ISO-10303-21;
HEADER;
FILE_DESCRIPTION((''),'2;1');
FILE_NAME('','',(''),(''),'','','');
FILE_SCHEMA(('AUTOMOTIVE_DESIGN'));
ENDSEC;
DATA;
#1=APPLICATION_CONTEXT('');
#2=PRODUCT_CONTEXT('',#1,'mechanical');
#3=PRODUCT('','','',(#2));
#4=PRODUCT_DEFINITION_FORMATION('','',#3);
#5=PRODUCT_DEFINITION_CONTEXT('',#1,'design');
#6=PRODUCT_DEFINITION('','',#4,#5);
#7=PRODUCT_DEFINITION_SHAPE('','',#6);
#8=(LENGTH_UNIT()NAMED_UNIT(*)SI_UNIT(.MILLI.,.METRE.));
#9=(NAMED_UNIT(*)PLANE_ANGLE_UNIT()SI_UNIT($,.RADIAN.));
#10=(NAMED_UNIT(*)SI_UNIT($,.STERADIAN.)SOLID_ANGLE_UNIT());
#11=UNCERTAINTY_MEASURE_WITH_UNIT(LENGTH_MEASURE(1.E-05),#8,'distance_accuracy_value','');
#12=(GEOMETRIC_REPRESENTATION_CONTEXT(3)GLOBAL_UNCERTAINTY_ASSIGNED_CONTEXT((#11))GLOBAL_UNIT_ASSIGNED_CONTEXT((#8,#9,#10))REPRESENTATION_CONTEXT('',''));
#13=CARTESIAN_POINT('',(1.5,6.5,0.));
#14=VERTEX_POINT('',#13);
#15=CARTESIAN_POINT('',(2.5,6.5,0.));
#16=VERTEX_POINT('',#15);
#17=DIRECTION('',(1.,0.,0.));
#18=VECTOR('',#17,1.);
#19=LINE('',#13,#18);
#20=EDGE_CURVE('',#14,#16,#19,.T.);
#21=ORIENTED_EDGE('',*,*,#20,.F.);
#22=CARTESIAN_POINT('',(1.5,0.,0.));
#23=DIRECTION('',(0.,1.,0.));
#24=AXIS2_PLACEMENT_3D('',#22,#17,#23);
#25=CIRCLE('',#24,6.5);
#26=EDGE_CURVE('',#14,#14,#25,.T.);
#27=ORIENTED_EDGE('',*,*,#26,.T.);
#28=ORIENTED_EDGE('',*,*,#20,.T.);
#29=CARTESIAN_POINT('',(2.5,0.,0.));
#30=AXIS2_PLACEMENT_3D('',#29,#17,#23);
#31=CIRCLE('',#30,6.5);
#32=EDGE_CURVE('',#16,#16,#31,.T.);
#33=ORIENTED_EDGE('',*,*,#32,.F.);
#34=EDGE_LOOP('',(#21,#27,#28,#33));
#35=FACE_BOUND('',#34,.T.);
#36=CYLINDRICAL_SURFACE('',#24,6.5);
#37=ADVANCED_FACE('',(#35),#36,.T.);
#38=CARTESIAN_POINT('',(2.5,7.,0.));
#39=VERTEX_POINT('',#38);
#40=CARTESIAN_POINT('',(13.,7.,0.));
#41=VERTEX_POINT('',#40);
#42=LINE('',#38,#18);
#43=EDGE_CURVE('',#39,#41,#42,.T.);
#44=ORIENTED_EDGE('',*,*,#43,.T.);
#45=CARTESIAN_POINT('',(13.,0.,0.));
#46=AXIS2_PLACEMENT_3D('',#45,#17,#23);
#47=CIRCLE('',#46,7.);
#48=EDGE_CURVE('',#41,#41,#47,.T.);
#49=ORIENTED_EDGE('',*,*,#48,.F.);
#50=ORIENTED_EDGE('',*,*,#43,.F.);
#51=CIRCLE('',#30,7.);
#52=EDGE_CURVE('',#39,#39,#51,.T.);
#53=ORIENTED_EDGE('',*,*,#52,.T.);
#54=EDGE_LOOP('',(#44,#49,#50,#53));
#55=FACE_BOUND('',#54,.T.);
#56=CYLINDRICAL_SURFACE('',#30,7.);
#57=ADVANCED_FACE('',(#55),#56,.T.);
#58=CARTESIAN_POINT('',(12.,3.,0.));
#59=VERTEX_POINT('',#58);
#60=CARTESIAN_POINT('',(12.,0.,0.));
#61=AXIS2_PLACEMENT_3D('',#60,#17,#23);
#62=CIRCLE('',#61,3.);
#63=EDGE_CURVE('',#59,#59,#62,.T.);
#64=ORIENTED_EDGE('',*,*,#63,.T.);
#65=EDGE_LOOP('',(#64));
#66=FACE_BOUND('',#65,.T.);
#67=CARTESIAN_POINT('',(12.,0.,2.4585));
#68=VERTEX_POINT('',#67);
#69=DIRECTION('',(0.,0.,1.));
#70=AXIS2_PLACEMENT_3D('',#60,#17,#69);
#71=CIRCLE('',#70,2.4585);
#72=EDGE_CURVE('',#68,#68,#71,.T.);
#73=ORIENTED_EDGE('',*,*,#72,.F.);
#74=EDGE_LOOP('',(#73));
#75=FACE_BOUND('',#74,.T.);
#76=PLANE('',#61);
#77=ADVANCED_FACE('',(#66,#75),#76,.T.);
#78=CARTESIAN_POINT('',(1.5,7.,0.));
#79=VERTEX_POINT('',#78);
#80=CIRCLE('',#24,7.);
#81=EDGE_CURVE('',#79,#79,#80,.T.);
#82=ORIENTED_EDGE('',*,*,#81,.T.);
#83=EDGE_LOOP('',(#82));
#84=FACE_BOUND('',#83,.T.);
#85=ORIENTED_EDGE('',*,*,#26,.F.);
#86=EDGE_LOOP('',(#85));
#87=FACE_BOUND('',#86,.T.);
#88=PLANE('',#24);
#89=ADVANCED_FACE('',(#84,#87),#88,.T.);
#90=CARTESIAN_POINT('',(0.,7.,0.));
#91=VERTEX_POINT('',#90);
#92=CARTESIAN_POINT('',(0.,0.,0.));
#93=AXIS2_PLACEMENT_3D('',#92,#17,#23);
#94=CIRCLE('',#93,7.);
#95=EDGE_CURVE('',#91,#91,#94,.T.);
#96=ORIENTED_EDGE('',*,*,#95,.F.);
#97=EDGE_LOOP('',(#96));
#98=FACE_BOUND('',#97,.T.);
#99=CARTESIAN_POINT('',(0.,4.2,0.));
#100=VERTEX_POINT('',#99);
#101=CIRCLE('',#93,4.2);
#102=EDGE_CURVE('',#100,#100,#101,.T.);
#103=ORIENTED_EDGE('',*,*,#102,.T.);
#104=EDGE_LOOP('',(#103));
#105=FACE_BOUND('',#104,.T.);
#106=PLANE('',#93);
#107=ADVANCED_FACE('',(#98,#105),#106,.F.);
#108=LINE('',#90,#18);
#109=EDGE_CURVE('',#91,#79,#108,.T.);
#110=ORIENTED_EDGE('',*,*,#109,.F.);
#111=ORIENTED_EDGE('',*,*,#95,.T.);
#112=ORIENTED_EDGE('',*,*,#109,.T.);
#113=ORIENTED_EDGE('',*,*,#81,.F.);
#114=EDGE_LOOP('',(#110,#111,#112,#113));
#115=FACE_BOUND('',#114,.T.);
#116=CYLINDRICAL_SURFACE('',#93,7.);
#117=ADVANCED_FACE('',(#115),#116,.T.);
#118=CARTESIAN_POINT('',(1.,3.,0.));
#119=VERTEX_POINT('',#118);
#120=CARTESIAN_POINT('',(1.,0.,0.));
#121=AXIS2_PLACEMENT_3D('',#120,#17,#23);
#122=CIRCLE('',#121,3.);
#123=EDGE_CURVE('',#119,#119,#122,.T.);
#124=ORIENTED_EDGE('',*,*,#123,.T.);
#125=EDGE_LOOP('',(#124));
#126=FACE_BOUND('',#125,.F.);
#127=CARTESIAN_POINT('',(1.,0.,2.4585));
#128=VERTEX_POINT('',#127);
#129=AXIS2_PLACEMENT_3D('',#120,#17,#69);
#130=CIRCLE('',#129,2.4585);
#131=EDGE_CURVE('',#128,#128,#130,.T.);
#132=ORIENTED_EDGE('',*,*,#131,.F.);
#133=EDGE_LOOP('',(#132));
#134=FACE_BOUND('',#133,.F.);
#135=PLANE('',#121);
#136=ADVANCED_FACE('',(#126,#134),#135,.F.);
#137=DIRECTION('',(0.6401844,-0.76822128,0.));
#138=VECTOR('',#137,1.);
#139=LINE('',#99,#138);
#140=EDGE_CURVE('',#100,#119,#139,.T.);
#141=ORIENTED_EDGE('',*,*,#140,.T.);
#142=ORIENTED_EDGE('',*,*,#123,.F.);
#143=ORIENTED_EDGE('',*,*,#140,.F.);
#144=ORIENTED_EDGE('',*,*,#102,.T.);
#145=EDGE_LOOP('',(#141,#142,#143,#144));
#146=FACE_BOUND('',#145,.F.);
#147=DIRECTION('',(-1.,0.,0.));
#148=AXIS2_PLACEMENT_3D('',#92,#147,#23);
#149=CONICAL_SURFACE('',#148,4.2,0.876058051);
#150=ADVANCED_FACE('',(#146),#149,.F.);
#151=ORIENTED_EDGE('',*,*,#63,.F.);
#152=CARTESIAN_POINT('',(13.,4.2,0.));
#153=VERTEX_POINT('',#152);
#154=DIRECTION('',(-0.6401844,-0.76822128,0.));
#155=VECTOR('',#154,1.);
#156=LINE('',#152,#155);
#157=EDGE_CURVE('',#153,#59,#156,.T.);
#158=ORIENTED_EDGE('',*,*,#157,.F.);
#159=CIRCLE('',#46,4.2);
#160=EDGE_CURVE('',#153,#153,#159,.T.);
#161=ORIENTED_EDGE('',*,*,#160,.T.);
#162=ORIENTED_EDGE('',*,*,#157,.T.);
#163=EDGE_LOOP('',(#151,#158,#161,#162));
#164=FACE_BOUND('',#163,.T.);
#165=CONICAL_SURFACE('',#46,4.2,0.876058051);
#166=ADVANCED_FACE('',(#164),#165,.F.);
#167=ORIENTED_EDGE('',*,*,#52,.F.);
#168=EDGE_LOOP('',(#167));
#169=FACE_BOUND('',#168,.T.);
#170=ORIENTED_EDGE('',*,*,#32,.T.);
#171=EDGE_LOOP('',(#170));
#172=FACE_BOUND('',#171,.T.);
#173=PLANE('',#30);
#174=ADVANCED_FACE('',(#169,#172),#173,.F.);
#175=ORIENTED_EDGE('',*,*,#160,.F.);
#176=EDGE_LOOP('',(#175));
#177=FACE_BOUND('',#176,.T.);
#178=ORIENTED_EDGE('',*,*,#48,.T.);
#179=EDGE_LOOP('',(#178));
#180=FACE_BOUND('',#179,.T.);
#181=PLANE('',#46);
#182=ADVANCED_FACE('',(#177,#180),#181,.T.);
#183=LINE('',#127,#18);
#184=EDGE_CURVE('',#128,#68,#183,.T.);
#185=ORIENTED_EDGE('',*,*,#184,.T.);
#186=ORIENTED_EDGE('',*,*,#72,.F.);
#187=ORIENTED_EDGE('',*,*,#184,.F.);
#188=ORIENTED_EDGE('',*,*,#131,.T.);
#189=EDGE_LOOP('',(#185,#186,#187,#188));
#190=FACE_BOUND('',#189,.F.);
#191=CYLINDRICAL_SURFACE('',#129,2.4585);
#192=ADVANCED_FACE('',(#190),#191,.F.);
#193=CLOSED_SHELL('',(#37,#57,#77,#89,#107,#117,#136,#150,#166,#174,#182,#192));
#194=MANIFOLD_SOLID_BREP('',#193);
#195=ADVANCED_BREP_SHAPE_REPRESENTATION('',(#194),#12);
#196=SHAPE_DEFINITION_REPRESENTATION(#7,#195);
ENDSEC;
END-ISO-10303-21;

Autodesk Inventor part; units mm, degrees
ref_plane "YZ Plane" through (0, 0, 0) normal (1, 0, 0) x (0, 1, 0)
ref_plane "XZ Plane" through (0, 0, 0) normal (0, 1, 0) x (-1, 0, 0)
ref_plane "XY Plane" through (0, 0, 0) normal (0, 0, 1) x (1, 0, 0)
sketch "Sketch2" plane through (0, 0, 0) normal (0, 0, 1) x (1, 0, 0)
  line L0 (0, 0) -> (18.2937, 0)
  line L1 (0, 4.2) -> (0, 7)
  line L2 (0, 7) -> (1.5, 7)
  line L3 (1.5, 7) -> (1.5, 6.5)
  line L4 (1.5, 6.5) -> (2.5, 6.5)
  line L5 (2.5, 6.5) -> (2.5, 7)
  line L6 (2.5, 7) -> (13, 7)
  line L7 (13, 7) -> (13, 4.2)
  line L8 (0, 4.2) -> (1, 3)
  line L9 (1, 3) -> (1, 0)
  line L10 (13, 4.2) -> (12, 3)
  line L11 (12, 3) -> (12, 0)
  dimension "d12" = 13
  dimension "d13" = 7
  dimension "d14" = 1.5
  dimension "d15" = 1
  dimension "d16" = 0.5
  dimension "d17" = 3
  dimension "d18" = 1
  dimension "d19" = 1.2
  dimension "d20" = 1
revolve "Revolution1" add sketch "Sketch2" angle 360 about axis through (0, 0, 0) along (1, 0, 0)
hole "Hole2" at (1, 0, 0) direction (1, 0, 0) diameter 4.917 end through all thread size "M6x1" class "6H" standard "ANSI Metric M Profile"
properties part number "igus_DST-JSRM-1413DS6.35x2.54"
